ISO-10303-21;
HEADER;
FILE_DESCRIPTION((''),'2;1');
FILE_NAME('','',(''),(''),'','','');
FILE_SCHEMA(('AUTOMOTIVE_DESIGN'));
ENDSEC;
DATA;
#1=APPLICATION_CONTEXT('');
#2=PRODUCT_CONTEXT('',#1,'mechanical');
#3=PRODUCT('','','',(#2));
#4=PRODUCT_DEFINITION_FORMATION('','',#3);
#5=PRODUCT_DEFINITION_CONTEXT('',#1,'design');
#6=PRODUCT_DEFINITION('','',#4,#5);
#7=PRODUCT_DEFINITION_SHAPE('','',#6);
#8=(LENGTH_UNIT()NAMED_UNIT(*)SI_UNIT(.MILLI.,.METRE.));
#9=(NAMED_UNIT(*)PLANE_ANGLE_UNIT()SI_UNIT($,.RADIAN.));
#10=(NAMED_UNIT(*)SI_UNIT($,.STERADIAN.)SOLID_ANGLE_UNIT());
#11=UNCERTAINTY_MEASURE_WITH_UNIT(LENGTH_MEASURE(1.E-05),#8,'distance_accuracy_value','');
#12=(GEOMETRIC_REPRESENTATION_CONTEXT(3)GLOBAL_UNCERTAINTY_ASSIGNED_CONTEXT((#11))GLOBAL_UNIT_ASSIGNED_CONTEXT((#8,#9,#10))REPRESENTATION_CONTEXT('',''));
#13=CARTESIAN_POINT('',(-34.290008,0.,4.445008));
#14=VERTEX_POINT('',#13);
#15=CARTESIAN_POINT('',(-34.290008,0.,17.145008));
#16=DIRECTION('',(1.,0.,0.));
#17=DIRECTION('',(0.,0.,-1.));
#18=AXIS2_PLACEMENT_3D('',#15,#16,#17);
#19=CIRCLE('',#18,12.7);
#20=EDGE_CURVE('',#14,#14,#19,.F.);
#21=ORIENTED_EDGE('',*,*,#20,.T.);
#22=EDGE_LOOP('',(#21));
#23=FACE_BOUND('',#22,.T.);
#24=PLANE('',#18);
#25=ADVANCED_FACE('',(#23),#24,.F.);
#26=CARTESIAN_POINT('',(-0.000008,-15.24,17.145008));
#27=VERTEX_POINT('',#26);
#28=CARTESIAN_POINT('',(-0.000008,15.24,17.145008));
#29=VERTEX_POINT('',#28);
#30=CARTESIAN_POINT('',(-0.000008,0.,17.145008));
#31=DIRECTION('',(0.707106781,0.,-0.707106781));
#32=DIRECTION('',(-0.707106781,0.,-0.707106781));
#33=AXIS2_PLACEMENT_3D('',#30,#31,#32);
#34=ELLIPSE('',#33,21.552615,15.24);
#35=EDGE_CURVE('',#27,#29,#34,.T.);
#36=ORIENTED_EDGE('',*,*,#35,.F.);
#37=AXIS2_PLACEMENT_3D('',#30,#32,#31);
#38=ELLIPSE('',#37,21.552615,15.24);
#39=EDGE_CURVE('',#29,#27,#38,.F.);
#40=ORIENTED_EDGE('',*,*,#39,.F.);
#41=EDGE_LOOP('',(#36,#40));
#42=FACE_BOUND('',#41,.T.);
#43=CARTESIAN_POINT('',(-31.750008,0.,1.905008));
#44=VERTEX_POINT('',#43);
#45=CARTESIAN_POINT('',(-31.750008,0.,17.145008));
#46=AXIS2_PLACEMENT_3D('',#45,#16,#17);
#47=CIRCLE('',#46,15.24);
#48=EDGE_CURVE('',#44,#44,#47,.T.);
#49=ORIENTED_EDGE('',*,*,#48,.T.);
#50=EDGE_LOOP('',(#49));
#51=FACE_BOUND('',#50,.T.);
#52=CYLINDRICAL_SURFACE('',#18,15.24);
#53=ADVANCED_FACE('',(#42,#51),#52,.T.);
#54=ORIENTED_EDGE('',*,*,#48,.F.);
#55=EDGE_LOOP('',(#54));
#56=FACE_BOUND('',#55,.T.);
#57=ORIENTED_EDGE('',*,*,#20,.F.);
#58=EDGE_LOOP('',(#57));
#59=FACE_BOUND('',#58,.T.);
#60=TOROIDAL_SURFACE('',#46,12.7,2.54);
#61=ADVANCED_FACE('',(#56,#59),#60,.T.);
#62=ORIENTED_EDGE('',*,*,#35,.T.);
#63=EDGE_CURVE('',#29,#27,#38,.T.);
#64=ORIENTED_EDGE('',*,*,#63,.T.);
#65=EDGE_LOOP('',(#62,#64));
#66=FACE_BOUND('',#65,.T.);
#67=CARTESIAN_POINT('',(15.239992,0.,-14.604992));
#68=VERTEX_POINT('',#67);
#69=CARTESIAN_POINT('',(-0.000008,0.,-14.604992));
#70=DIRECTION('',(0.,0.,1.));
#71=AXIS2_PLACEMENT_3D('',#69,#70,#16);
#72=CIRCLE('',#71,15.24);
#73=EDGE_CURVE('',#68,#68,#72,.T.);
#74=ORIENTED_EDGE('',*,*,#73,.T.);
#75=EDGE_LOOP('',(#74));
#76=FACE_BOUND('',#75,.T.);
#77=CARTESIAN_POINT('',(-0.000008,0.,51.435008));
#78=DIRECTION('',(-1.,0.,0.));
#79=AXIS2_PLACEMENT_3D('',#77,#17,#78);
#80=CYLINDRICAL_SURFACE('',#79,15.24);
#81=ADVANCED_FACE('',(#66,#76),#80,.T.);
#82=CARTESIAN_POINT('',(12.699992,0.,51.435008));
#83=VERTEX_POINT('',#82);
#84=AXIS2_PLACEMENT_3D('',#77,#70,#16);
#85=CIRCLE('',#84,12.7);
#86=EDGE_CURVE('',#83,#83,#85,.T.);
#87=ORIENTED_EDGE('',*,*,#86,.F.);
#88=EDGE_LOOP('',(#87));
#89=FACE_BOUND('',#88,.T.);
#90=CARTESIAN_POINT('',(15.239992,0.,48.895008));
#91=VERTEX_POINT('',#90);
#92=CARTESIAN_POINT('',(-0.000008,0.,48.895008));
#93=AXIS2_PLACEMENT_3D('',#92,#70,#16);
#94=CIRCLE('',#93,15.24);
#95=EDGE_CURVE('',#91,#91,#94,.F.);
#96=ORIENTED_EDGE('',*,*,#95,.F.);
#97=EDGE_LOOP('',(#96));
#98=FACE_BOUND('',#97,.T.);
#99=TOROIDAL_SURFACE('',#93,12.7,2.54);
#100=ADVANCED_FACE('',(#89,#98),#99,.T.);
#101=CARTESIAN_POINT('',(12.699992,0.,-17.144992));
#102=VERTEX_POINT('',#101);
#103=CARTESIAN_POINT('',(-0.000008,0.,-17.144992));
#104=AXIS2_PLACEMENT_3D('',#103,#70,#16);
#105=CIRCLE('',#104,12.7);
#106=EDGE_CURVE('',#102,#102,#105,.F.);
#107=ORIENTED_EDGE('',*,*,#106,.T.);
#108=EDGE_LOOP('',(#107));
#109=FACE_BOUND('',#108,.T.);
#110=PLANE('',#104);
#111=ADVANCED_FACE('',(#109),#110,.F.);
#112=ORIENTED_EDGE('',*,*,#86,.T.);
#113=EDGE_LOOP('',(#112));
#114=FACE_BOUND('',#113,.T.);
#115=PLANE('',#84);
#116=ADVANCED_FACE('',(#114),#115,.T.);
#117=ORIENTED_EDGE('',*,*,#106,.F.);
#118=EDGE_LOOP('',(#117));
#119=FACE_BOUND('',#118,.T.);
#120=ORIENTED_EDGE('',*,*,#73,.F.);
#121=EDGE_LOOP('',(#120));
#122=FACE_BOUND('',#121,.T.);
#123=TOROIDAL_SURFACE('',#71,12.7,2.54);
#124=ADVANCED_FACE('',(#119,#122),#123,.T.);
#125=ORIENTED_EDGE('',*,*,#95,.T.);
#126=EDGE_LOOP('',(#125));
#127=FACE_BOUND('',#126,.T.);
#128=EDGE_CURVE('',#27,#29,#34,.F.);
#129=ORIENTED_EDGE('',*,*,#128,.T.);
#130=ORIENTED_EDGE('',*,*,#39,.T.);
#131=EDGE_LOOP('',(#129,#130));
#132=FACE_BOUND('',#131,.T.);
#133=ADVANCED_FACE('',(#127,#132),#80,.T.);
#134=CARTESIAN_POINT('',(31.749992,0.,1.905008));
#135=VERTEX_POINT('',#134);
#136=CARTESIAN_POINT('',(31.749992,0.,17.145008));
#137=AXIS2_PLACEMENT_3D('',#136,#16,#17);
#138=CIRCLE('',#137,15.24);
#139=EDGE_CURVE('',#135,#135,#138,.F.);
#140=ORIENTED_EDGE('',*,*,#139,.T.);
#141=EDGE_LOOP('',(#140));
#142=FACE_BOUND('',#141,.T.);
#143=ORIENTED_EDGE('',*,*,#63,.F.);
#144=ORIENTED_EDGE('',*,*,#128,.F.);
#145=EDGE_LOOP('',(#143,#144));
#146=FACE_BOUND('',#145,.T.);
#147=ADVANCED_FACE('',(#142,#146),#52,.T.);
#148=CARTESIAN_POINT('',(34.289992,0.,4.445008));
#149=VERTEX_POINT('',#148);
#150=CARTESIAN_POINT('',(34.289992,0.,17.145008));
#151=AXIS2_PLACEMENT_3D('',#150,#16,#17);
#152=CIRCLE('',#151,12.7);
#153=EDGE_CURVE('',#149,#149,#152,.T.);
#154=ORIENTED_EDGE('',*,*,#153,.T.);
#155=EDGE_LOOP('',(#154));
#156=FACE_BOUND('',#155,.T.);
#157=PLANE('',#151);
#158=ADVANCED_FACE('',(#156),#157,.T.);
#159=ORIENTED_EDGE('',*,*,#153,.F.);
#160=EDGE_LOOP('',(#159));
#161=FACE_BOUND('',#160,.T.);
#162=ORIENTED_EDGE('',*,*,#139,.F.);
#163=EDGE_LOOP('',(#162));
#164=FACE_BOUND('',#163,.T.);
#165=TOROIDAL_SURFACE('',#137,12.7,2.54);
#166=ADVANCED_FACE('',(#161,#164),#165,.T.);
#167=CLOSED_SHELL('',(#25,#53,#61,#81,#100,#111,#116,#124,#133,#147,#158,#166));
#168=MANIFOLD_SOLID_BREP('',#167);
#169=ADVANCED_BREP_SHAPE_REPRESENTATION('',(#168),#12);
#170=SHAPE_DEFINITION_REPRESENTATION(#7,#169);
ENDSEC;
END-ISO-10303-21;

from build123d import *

# Parameters (mm, degrees)
SKETCH2_R                = 7.62
BOSS_EXTRUDE1_DEPTH      = 34.29
BOSS_EXTRUDE2_DEPTH      = 17.145
BOSS_EXTRUDE2_DEPTH_BACK = 17.145
SKETCH3_R                = 7.62
FILLET1_R                = 1.27
SCALE1_SCALE             = 2


with BuildPart() as part:
    # Sketch2 → Boss-Extrude1 (new body)
    with BuildSketch(Plane.XY):
        Circle(SKETCH2_R)
    extrude(amount=BOSS_EXTRUDE1_DEPTH)

    # Sketch3 → Boss-Extrude2 (add, two sides: drawn at the far end of the back side and taken through both)
    with BuildSketch(Plane(origin=(0, 0, 0), x_dir=(0, 0, -1), z_dir=(1, 0, 0)).offset(-BOSS_EXTRUDE2_DEPTH_BACK)):
        with Locations((-17.145, 0)):
            Circle(SKETCH3_R)
    extrude(amount=BOSS_EXTRUDE2_DEPTH + BOSS_EXTRUDE2_DEPTH_BACK)

    # Fillet1
    fillet1_edges = [part.edges().sort_by_distance(p)[0] for p in [
        (-7.62, 0, 34.29),
        (17.145, 0, 24.765),
        (-17.145, 0, 24.765),
        (-7.62, 0, 0),
    ]]
    fillet(fillet1_edges, radius=FILLET1_R)


with BuildPart() as part_1:
    # Scale1: scaled about (0, 0, 17.145)
    add(part.part.scale(SCALE1_SCALE).moved(Location((0, 0, -17.145))))


solid = part_1.part
